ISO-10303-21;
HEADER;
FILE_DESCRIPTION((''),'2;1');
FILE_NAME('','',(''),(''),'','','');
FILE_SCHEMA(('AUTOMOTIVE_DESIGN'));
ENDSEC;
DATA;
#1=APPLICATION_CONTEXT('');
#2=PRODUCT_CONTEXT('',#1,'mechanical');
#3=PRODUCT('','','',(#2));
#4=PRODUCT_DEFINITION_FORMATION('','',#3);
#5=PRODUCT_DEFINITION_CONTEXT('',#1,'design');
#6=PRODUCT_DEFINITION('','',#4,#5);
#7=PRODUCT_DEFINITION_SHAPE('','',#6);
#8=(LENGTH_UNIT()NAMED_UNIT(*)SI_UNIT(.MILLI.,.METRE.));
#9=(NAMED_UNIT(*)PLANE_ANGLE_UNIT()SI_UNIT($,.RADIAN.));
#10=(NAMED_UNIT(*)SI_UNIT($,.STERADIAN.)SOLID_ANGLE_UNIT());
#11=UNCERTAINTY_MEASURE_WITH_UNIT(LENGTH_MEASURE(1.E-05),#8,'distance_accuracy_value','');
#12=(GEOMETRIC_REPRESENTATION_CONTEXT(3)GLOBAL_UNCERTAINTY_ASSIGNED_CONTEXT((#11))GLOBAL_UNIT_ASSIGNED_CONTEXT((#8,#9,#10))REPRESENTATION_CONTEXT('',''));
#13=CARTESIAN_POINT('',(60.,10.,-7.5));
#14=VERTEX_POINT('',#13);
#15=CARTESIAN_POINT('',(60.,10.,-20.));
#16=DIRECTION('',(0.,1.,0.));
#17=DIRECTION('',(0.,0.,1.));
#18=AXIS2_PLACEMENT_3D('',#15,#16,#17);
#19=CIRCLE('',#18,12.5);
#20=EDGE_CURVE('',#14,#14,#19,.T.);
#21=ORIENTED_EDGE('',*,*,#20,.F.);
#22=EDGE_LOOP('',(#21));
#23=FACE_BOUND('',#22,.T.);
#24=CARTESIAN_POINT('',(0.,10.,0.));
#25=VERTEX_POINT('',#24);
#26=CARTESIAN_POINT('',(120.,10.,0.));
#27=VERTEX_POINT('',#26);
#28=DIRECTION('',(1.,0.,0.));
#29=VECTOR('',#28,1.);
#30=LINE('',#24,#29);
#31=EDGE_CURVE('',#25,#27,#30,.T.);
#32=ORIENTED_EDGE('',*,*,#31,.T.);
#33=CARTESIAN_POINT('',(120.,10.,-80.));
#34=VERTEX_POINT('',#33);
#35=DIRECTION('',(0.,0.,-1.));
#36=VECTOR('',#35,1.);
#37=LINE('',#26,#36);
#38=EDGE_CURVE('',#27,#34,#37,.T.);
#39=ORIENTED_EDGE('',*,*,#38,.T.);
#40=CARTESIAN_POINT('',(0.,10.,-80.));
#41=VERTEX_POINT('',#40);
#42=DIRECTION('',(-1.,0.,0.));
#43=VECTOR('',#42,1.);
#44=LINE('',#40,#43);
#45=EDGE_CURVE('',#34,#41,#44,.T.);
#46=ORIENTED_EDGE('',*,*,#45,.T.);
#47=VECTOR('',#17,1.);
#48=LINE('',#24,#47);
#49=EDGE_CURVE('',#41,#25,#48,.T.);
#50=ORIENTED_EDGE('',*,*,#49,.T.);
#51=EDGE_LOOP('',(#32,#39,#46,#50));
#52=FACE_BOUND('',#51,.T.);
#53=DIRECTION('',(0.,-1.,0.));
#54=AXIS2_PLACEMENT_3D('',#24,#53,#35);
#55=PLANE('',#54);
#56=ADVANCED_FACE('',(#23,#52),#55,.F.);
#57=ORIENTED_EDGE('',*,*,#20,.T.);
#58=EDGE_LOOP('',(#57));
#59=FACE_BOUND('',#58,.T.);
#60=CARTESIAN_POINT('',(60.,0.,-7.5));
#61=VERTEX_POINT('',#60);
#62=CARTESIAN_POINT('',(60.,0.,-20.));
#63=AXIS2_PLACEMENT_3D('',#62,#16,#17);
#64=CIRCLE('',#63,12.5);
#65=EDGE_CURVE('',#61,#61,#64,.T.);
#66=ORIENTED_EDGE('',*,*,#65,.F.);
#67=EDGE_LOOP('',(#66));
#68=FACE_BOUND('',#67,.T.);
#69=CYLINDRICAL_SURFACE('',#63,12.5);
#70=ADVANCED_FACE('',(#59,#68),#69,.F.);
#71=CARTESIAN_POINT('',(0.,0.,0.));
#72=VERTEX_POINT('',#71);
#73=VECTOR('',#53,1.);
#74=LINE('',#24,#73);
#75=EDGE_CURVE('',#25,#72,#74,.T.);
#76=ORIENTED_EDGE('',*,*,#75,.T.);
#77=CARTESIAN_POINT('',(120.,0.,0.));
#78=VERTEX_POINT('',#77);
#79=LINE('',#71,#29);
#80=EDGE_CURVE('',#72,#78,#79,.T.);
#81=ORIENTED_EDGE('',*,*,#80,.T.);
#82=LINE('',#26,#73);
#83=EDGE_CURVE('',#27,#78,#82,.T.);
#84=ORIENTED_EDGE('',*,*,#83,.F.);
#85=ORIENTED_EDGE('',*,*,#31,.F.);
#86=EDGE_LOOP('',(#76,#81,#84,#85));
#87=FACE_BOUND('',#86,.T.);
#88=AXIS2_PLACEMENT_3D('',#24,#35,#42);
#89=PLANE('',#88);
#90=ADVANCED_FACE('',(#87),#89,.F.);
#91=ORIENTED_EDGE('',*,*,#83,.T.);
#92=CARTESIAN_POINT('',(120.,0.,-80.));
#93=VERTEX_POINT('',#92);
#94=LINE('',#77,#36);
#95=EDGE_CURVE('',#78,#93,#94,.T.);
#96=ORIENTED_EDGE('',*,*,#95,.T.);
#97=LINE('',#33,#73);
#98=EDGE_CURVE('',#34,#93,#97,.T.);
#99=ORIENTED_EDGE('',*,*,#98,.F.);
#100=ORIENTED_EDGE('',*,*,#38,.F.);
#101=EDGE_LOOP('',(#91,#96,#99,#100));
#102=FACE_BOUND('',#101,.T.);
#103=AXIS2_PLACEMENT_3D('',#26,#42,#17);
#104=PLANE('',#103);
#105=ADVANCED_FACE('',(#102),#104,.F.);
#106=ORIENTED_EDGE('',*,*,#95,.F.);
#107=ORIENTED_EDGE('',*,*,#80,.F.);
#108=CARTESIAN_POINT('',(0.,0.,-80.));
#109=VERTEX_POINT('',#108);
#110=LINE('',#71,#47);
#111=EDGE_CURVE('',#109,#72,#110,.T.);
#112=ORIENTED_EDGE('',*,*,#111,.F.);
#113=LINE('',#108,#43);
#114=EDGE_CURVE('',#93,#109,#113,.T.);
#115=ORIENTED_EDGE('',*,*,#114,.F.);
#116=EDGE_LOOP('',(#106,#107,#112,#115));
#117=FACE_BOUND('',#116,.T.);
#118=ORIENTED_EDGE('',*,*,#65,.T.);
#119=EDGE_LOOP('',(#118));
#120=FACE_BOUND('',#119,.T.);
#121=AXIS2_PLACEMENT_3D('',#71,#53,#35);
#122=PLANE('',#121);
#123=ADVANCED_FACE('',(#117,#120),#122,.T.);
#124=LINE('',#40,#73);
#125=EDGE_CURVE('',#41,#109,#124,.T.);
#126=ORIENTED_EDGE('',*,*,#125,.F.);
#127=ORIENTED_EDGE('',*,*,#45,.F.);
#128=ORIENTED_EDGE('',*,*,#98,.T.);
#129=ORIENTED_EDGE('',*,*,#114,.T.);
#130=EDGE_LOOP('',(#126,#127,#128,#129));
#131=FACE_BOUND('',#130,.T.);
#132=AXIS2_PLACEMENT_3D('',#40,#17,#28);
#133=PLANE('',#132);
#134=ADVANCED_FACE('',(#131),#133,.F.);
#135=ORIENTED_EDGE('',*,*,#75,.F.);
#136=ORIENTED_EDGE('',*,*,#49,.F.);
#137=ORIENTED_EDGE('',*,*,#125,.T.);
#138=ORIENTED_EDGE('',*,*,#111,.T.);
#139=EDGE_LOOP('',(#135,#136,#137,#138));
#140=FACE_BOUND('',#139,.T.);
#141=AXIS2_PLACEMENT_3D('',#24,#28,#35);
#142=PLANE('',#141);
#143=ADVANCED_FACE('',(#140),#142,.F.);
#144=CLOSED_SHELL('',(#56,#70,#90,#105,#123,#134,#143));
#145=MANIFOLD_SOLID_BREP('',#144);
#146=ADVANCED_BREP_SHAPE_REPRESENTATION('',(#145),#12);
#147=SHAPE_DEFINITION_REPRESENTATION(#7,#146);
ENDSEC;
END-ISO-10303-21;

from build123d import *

# Parameters (mm, degrees)
SKETCH2_W           = 120
SKETCH2_H           = 80
BOSS_EXTRUDE1_DEPTH = 10
SKETCH3_R           = 12.5
CUT_EXTRUDE1_DEPTH  = 10


with BuildPart() as part:
    # Sketch2 → Boss-Extrude1 (new body)
    with BuildSketch(Plane(origin=(0, 0, 0), x_dir=(1, 0, 0), z_dir=(0, 1, 0))):
        with Locations((60, 40)):
            Rectangle(SKETCH2_W, SKETCH2_H)
    extrude(amount=BOSS_EXTRUDE1_DEPTH)

    # Sketch3 → Cut-Extrude1 (cut)
    with BuildSketch(Plane(origin=(0, 10, 0), x_dir=(1, 0, 0), z_dir=(0, 1, 0))):
        with Locations((60, 20)):
            Circle(SKETCH3_R)
    extrude(amount=-CUT_EXTRUDE1_DEPTH, mode=Mode.SUBTRACT)


solid = part.part
